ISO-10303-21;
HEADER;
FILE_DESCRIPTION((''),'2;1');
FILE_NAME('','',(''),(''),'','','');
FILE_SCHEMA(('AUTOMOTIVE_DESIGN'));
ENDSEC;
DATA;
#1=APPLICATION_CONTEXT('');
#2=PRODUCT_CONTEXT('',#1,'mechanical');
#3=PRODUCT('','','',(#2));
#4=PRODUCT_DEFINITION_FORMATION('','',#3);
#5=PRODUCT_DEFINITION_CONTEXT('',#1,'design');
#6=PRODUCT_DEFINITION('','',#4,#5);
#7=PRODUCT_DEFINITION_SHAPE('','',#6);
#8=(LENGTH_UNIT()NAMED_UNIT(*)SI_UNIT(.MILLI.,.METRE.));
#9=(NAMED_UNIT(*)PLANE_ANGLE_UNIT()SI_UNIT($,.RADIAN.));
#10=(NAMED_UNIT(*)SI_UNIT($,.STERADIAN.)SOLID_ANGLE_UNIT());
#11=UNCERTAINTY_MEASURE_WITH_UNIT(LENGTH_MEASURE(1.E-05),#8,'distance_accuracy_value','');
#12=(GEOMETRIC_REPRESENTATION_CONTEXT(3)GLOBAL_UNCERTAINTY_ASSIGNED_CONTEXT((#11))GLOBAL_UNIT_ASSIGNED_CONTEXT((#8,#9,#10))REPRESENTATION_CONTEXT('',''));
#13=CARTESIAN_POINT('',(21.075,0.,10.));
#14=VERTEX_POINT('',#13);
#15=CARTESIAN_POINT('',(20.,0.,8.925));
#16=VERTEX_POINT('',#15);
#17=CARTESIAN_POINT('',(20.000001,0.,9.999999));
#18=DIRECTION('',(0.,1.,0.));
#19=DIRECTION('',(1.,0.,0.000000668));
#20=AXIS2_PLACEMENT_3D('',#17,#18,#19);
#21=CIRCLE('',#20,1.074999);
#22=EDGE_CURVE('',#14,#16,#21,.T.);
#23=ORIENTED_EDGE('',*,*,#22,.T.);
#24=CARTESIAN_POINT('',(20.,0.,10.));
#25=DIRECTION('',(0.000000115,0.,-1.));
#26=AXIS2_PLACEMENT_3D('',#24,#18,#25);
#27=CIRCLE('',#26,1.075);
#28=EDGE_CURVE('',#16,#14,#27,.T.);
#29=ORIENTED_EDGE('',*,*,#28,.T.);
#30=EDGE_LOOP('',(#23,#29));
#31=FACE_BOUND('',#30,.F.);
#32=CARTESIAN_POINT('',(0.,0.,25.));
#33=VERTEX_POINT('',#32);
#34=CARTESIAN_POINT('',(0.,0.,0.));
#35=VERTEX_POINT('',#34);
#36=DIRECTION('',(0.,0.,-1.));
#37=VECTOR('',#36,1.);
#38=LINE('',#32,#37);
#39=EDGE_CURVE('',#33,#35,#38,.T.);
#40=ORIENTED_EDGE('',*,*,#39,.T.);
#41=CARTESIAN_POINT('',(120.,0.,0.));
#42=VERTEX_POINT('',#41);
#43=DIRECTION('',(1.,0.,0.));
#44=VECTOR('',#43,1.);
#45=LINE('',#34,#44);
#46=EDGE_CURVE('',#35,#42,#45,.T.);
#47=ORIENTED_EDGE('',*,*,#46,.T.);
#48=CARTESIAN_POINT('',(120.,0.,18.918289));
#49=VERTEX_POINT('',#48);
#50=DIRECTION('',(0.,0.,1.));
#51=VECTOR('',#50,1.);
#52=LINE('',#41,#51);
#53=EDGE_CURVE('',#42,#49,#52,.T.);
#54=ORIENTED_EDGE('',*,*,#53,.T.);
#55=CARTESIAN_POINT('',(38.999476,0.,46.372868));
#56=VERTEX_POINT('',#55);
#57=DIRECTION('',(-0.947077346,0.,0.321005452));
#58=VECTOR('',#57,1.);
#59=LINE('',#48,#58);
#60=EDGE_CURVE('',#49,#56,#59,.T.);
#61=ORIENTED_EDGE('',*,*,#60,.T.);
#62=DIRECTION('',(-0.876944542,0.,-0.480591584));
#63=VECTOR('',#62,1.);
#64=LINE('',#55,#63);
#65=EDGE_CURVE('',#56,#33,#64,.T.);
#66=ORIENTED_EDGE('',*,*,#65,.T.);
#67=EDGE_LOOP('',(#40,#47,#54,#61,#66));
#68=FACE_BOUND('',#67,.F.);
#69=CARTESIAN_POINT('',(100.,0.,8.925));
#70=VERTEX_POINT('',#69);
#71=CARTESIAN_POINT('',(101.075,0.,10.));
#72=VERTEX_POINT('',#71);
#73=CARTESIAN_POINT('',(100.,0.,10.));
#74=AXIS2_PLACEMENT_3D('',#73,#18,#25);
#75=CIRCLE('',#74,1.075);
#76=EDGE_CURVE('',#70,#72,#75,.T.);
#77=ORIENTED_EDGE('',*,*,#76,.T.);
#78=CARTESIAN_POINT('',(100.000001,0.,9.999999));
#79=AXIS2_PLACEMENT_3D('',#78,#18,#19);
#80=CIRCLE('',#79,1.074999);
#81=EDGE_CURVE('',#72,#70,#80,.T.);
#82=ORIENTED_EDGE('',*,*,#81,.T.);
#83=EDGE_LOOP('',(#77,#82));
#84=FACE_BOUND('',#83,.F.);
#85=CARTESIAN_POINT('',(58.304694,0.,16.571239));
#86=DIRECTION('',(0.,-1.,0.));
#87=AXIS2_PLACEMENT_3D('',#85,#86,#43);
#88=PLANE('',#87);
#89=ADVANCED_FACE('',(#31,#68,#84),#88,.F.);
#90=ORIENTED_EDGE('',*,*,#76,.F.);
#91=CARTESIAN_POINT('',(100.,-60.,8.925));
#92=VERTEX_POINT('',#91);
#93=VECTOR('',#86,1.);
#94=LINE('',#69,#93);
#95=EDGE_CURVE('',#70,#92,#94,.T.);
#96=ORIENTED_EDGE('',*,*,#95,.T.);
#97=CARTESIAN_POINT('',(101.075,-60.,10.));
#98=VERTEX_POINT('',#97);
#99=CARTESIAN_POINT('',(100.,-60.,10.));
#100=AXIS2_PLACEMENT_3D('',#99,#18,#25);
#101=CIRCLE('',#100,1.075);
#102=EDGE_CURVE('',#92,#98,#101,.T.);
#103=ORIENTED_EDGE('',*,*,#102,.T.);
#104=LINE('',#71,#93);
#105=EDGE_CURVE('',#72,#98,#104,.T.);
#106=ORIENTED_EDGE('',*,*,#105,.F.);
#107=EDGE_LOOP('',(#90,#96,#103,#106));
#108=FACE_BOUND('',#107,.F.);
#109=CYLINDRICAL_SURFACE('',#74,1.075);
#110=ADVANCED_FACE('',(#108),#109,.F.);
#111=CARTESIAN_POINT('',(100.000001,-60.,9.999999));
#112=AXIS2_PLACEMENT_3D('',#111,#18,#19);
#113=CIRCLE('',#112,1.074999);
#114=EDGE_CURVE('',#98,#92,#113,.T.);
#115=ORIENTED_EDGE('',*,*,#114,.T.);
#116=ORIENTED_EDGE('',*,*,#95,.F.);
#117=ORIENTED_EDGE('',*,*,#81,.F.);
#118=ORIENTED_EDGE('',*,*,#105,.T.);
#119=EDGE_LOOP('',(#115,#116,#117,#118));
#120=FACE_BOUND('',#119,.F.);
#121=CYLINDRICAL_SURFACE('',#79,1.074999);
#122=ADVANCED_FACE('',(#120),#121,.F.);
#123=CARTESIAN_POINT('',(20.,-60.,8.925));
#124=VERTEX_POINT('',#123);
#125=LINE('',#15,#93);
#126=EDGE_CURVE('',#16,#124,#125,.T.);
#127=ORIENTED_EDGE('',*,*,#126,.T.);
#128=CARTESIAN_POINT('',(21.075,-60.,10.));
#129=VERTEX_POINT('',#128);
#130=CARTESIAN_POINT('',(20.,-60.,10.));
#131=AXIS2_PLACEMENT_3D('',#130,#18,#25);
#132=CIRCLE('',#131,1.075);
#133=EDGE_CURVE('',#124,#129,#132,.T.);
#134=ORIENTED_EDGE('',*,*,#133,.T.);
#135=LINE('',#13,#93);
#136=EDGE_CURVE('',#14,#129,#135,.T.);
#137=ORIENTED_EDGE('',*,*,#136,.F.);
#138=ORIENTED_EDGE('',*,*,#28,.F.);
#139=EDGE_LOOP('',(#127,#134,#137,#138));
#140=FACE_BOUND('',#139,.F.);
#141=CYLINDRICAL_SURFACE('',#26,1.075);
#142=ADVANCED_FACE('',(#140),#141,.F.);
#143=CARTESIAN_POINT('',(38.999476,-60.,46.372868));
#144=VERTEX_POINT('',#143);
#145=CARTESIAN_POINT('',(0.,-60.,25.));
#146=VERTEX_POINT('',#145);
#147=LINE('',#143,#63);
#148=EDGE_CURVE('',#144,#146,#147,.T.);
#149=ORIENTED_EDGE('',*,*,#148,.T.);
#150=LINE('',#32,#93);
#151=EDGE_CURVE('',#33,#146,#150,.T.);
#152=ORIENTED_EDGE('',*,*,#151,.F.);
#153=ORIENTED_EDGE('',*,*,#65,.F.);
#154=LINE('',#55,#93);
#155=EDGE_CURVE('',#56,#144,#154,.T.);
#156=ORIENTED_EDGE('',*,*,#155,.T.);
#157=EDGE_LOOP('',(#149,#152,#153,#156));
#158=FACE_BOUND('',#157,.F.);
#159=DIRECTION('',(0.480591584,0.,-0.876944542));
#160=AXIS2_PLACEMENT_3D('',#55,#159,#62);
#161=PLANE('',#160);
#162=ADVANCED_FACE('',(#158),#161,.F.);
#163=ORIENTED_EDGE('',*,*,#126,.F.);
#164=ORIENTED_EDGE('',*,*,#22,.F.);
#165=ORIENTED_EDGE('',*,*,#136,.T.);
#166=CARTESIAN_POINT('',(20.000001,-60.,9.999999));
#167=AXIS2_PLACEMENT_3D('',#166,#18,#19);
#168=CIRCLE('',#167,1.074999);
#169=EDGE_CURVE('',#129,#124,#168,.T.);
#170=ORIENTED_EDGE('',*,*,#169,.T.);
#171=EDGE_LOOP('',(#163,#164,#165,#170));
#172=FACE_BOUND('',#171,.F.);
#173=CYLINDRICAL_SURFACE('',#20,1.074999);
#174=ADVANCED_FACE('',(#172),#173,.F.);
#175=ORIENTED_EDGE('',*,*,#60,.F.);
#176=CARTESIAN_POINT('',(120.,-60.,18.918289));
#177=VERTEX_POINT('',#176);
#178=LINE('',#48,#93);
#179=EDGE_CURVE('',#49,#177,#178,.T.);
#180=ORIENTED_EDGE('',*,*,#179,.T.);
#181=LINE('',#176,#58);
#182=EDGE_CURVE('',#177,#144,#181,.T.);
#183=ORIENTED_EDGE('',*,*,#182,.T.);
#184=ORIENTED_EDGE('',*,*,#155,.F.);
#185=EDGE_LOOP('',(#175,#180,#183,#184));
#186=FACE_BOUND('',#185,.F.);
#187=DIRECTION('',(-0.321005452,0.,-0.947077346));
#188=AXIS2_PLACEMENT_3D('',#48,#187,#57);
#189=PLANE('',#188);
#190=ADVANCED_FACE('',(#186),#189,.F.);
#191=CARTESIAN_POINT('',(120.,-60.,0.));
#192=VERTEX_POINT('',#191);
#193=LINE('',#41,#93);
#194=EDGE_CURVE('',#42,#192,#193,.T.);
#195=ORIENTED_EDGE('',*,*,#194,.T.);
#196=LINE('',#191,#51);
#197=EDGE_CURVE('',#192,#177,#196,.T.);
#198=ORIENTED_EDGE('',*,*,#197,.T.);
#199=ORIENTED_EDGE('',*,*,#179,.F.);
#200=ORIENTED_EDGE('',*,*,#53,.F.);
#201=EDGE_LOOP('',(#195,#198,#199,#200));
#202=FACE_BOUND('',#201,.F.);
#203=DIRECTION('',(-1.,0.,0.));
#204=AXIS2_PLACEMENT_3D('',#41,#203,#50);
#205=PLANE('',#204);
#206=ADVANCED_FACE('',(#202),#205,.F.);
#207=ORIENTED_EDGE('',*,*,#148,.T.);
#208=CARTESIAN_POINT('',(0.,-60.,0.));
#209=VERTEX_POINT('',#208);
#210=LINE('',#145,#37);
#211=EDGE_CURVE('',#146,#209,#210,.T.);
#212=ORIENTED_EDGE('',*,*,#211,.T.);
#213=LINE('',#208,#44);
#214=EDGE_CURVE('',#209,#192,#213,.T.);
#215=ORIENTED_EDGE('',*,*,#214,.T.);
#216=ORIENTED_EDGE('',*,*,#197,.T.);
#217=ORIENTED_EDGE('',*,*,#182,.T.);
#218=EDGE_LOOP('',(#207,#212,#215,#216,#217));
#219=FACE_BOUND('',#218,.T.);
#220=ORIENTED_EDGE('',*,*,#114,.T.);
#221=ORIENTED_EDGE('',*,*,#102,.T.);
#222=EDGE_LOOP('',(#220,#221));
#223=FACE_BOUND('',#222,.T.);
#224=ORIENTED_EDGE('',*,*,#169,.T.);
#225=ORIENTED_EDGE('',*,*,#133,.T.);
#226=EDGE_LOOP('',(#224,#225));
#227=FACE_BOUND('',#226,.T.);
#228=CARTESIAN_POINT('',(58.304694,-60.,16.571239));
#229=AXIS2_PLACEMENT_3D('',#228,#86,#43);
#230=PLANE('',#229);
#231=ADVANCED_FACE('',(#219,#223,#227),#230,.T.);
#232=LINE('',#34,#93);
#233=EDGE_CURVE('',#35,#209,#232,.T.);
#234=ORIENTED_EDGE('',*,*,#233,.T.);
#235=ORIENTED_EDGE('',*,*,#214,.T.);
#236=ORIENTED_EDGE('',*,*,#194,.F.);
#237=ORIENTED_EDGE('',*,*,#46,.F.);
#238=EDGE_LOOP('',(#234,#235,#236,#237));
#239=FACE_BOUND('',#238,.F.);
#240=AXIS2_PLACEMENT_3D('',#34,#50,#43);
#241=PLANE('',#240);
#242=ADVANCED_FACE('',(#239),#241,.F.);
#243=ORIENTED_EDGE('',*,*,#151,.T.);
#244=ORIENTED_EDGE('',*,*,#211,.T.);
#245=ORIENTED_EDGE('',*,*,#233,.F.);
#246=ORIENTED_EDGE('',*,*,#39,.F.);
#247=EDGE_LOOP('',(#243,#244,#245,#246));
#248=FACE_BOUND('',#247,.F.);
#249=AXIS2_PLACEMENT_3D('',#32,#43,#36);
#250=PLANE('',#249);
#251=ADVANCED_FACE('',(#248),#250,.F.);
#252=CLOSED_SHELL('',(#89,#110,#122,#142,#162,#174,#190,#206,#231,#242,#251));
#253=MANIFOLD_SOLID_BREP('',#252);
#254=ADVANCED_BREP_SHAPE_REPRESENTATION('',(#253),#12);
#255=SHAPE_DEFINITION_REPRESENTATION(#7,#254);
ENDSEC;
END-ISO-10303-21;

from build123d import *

# Parameters (mm, degrees)
F1_DEPTH = 60


with BuildPart() as f1:
    # F0 (on Front) → F1 (new body)
    with BuildSketch(Plane.XZ):
        Polygon((0, 25), (0, 0), (20, 0), (100, 0), (120, 0), (120, 18.918289), (38.999476, 46.372868), align=None)
        with BuildLine():
            ThreePointArc((21.075, 10), (20.76014, 9.23986), (20, 8.925))
            ThreePointArc((20, 8.925), (19.23986, 10.76014), (21.075, 10))
        make_face(mode=Mode.SUBTRACT)
        with BuildLine():
            ThreePointArc((101.075, 10), (100.76014, 9.23986), (100, 8.925))
            ThreePointArc((100, 8.925), (99.23986, 10.76014), (101.075, 10))
        make_face(mode=Mode.SUBTRACT)
    extrude(amount=F1_DEPTH)


solid = f1.part
